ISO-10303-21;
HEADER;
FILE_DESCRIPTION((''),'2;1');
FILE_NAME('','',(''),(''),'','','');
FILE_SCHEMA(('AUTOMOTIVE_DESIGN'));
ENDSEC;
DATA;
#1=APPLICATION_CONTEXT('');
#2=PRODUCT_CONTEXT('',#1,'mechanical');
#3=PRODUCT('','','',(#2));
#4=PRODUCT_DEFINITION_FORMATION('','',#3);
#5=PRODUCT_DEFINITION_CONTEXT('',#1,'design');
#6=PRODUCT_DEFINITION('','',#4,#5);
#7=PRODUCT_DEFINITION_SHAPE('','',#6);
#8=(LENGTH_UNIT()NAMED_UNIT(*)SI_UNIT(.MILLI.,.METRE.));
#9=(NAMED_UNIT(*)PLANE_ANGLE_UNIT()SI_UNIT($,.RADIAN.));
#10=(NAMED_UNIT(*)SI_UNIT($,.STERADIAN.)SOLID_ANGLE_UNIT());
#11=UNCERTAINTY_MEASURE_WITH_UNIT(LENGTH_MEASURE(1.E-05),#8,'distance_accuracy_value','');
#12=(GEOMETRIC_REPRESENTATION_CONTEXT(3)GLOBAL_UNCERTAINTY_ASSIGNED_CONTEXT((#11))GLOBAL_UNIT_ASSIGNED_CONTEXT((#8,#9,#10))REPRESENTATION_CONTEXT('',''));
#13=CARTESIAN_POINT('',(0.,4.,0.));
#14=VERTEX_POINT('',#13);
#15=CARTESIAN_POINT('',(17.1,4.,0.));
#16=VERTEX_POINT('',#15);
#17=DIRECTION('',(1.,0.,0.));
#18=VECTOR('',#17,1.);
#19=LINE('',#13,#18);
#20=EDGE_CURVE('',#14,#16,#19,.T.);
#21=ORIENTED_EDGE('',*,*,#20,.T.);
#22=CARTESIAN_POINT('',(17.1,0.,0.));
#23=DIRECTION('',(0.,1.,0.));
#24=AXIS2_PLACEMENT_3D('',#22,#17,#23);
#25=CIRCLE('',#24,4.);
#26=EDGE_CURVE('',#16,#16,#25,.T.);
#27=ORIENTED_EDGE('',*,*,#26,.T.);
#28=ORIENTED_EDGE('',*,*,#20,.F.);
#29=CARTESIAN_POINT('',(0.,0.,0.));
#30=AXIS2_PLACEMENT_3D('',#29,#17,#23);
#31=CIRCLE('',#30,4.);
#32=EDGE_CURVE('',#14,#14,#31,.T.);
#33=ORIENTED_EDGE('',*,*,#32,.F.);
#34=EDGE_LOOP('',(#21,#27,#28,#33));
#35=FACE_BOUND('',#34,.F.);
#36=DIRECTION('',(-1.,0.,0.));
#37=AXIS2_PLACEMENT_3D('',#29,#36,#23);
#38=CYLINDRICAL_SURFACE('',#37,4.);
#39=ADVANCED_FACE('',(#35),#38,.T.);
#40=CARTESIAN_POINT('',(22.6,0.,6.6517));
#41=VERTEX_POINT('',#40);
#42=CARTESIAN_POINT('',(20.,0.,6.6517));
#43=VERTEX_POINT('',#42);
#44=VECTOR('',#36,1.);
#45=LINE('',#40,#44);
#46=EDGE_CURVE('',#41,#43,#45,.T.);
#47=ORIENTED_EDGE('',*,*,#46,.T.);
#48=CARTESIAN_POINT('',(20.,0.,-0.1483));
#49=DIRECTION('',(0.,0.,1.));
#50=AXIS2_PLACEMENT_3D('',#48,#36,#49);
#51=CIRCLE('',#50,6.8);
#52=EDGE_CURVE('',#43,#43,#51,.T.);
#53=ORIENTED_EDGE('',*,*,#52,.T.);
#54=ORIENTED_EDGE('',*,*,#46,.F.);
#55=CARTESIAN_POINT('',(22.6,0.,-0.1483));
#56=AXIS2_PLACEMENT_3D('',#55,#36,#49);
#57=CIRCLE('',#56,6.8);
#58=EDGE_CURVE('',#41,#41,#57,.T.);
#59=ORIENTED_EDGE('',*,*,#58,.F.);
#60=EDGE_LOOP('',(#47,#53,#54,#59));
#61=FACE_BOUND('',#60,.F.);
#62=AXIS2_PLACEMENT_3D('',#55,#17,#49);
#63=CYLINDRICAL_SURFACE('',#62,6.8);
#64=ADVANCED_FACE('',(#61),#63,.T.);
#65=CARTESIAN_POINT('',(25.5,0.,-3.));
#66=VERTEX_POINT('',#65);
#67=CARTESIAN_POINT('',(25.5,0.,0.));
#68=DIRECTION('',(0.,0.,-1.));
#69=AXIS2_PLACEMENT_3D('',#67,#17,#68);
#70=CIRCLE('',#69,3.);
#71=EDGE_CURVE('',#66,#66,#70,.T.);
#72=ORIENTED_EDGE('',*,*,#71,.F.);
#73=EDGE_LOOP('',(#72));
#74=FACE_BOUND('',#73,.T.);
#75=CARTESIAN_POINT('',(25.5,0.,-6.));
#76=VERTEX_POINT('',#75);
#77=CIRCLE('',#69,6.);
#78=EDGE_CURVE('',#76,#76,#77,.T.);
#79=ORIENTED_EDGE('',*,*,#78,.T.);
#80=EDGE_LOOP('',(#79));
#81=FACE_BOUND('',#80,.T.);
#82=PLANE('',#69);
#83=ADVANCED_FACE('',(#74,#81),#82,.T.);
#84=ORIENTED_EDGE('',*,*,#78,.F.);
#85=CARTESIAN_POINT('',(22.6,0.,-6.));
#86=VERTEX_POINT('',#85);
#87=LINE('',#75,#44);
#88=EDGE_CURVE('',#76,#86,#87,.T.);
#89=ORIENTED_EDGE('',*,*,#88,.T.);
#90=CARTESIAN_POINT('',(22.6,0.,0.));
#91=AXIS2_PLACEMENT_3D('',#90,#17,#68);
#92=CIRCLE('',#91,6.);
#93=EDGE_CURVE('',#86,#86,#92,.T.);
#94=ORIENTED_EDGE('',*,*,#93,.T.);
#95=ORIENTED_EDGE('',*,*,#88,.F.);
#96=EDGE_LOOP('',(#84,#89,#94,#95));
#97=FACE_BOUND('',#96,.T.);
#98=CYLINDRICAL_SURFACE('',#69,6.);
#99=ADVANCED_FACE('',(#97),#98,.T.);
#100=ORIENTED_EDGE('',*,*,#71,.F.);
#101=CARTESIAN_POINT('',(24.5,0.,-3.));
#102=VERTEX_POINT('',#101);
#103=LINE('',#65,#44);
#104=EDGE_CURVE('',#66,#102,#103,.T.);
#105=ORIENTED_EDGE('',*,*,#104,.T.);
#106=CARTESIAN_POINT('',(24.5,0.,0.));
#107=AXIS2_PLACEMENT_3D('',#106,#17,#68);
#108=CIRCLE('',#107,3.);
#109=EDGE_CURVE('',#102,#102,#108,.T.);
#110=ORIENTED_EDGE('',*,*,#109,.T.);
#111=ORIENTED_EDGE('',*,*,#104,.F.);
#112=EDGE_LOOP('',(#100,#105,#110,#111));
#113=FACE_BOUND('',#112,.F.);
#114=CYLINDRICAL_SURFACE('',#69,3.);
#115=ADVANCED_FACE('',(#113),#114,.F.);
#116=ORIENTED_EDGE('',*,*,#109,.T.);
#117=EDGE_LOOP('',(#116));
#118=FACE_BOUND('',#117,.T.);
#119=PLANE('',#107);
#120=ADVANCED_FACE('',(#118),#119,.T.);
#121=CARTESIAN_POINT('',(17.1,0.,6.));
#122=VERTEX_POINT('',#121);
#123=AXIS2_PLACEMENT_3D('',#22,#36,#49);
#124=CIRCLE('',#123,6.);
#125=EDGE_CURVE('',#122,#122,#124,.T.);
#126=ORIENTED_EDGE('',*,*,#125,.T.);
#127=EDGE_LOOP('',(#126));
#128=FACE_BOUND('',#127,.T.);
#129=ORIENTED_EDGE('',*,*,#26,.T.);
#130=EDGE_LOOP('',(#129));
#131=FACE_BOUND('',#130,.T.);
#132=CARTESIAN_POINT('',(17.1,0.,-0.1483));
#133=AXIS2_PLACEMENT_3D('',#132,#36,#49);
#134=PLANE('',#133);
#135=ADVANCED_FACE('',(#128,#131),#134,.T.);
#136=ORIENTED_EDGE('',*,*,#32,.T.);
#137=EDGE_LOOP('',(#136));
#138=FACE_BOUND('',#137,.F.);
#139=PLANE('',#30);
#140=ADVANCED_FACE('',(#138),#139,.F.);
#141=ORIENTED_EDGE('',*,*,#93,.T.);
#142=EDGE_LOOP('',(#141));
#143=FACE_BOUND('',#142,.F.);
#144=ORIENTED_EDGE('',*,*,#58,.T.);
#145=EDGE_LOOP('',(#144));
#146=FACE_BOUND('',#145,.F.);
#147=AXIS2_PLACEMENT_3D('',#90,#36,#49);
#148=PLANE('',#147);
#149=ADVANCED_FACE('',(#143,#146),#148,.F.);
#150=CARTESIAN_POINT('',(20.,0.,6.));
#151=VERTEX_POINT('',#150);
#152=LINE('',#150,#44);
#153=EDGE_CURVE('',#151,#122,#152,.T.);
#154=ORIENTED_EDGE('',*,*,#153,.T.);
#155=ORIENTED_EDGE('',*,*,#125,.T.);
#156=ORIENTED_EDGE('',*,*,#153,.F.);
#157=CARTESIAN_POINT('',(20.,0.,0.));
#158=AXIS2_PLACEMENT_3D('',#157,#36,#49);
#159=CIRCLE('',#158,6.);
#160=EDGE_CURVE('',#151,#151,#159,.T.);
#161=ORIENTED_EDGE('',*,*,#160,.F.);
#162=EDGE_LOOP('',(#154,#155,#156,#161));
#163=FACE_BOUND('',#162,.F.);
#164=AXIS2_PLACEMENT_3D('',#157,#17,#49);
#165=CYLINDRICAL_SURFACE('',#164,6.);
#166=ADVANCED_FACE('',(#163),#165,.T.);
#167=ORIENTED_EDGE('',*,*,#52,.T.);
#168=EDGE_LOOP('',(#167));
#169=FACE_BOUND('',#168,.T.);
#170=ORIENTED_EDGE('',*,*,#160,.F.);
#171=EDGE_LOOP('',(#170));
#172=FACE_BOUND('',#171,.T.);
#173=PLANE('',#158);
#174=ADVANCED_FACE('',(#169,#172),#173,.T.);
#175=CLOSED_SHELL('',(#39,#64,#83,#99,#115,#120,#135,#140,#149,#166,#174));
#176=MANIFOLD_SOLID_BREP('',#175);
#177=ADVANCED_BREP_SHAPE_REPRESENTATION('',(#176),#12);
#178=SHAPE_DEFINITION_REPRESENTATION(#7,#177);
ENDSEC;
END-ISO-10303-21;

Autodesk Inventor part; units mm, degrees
ref_plane "YZ Plane" through (0, 0, 0) normal (1, 0, 0) x (0, 1, 0)
ref_plane "XZ Plane" through (0, 0, 0) normal (0, 1, 0) x (-1, 0, 0)
ref_plane "XY Plane" through (0, 0, 0) normal (0, 0, 1) x (1, 0, 0)
sketch "スケッチ1" plane through (0, 0, 0) normal (1, 0, 0) x (0, 1, 0)
  circle A0 centre (0, 0) radius 4
  dimension "d0" = 8
extrude "押し出し1" add sketch "スケッチ1" along normal blind 25.5
sketch "スケッチ2" plane through (25.5, 0, 0) normal (1, 0, 0) x (0, 0, -1)
  circle A0 centre (0, 0) radius 6
  circle A1 centre (0, 0) radius 4
  dimension "d3" = 12
extrude "押し出し2" add sketch "スケッチ2" against normal blind 2.9
sketch "スケッチ3" plane through (22.6, 0, 0) normal (-1, 0, 0) x (0, 0, 1)
  circle A0 centre (0, 0) radius 3.6421
  circle A1 centre (-0.1483, 0) radius 6.8
  dimension "d6" = 13.6
extrude "押し出し3" add sketch "スケッチ3" along normal blind 2.6
sketch "スケッチ4" plane through (20, 0, -0.1483) normal (-1, 0, 0) x (0, 0, 1)
  circle A0 centre (0.1483, 0) radius 4
  circle A1 centre (0.1483, 0) radius 6
extrude "押し出し4" add sketch "スケッチ4" along normal blind 2.9
sketch "スケッチ5" plane through (25.5, 0, 0) normal (1, 0, 0) x (0, 0, -1)
  circle A0 centre (0, 0) radius 3
  dimension "d11" = 6
extrude "押し出し5" cut sketch "スケッチ5" against normal blind 1
properties part number "encoderaxis"
